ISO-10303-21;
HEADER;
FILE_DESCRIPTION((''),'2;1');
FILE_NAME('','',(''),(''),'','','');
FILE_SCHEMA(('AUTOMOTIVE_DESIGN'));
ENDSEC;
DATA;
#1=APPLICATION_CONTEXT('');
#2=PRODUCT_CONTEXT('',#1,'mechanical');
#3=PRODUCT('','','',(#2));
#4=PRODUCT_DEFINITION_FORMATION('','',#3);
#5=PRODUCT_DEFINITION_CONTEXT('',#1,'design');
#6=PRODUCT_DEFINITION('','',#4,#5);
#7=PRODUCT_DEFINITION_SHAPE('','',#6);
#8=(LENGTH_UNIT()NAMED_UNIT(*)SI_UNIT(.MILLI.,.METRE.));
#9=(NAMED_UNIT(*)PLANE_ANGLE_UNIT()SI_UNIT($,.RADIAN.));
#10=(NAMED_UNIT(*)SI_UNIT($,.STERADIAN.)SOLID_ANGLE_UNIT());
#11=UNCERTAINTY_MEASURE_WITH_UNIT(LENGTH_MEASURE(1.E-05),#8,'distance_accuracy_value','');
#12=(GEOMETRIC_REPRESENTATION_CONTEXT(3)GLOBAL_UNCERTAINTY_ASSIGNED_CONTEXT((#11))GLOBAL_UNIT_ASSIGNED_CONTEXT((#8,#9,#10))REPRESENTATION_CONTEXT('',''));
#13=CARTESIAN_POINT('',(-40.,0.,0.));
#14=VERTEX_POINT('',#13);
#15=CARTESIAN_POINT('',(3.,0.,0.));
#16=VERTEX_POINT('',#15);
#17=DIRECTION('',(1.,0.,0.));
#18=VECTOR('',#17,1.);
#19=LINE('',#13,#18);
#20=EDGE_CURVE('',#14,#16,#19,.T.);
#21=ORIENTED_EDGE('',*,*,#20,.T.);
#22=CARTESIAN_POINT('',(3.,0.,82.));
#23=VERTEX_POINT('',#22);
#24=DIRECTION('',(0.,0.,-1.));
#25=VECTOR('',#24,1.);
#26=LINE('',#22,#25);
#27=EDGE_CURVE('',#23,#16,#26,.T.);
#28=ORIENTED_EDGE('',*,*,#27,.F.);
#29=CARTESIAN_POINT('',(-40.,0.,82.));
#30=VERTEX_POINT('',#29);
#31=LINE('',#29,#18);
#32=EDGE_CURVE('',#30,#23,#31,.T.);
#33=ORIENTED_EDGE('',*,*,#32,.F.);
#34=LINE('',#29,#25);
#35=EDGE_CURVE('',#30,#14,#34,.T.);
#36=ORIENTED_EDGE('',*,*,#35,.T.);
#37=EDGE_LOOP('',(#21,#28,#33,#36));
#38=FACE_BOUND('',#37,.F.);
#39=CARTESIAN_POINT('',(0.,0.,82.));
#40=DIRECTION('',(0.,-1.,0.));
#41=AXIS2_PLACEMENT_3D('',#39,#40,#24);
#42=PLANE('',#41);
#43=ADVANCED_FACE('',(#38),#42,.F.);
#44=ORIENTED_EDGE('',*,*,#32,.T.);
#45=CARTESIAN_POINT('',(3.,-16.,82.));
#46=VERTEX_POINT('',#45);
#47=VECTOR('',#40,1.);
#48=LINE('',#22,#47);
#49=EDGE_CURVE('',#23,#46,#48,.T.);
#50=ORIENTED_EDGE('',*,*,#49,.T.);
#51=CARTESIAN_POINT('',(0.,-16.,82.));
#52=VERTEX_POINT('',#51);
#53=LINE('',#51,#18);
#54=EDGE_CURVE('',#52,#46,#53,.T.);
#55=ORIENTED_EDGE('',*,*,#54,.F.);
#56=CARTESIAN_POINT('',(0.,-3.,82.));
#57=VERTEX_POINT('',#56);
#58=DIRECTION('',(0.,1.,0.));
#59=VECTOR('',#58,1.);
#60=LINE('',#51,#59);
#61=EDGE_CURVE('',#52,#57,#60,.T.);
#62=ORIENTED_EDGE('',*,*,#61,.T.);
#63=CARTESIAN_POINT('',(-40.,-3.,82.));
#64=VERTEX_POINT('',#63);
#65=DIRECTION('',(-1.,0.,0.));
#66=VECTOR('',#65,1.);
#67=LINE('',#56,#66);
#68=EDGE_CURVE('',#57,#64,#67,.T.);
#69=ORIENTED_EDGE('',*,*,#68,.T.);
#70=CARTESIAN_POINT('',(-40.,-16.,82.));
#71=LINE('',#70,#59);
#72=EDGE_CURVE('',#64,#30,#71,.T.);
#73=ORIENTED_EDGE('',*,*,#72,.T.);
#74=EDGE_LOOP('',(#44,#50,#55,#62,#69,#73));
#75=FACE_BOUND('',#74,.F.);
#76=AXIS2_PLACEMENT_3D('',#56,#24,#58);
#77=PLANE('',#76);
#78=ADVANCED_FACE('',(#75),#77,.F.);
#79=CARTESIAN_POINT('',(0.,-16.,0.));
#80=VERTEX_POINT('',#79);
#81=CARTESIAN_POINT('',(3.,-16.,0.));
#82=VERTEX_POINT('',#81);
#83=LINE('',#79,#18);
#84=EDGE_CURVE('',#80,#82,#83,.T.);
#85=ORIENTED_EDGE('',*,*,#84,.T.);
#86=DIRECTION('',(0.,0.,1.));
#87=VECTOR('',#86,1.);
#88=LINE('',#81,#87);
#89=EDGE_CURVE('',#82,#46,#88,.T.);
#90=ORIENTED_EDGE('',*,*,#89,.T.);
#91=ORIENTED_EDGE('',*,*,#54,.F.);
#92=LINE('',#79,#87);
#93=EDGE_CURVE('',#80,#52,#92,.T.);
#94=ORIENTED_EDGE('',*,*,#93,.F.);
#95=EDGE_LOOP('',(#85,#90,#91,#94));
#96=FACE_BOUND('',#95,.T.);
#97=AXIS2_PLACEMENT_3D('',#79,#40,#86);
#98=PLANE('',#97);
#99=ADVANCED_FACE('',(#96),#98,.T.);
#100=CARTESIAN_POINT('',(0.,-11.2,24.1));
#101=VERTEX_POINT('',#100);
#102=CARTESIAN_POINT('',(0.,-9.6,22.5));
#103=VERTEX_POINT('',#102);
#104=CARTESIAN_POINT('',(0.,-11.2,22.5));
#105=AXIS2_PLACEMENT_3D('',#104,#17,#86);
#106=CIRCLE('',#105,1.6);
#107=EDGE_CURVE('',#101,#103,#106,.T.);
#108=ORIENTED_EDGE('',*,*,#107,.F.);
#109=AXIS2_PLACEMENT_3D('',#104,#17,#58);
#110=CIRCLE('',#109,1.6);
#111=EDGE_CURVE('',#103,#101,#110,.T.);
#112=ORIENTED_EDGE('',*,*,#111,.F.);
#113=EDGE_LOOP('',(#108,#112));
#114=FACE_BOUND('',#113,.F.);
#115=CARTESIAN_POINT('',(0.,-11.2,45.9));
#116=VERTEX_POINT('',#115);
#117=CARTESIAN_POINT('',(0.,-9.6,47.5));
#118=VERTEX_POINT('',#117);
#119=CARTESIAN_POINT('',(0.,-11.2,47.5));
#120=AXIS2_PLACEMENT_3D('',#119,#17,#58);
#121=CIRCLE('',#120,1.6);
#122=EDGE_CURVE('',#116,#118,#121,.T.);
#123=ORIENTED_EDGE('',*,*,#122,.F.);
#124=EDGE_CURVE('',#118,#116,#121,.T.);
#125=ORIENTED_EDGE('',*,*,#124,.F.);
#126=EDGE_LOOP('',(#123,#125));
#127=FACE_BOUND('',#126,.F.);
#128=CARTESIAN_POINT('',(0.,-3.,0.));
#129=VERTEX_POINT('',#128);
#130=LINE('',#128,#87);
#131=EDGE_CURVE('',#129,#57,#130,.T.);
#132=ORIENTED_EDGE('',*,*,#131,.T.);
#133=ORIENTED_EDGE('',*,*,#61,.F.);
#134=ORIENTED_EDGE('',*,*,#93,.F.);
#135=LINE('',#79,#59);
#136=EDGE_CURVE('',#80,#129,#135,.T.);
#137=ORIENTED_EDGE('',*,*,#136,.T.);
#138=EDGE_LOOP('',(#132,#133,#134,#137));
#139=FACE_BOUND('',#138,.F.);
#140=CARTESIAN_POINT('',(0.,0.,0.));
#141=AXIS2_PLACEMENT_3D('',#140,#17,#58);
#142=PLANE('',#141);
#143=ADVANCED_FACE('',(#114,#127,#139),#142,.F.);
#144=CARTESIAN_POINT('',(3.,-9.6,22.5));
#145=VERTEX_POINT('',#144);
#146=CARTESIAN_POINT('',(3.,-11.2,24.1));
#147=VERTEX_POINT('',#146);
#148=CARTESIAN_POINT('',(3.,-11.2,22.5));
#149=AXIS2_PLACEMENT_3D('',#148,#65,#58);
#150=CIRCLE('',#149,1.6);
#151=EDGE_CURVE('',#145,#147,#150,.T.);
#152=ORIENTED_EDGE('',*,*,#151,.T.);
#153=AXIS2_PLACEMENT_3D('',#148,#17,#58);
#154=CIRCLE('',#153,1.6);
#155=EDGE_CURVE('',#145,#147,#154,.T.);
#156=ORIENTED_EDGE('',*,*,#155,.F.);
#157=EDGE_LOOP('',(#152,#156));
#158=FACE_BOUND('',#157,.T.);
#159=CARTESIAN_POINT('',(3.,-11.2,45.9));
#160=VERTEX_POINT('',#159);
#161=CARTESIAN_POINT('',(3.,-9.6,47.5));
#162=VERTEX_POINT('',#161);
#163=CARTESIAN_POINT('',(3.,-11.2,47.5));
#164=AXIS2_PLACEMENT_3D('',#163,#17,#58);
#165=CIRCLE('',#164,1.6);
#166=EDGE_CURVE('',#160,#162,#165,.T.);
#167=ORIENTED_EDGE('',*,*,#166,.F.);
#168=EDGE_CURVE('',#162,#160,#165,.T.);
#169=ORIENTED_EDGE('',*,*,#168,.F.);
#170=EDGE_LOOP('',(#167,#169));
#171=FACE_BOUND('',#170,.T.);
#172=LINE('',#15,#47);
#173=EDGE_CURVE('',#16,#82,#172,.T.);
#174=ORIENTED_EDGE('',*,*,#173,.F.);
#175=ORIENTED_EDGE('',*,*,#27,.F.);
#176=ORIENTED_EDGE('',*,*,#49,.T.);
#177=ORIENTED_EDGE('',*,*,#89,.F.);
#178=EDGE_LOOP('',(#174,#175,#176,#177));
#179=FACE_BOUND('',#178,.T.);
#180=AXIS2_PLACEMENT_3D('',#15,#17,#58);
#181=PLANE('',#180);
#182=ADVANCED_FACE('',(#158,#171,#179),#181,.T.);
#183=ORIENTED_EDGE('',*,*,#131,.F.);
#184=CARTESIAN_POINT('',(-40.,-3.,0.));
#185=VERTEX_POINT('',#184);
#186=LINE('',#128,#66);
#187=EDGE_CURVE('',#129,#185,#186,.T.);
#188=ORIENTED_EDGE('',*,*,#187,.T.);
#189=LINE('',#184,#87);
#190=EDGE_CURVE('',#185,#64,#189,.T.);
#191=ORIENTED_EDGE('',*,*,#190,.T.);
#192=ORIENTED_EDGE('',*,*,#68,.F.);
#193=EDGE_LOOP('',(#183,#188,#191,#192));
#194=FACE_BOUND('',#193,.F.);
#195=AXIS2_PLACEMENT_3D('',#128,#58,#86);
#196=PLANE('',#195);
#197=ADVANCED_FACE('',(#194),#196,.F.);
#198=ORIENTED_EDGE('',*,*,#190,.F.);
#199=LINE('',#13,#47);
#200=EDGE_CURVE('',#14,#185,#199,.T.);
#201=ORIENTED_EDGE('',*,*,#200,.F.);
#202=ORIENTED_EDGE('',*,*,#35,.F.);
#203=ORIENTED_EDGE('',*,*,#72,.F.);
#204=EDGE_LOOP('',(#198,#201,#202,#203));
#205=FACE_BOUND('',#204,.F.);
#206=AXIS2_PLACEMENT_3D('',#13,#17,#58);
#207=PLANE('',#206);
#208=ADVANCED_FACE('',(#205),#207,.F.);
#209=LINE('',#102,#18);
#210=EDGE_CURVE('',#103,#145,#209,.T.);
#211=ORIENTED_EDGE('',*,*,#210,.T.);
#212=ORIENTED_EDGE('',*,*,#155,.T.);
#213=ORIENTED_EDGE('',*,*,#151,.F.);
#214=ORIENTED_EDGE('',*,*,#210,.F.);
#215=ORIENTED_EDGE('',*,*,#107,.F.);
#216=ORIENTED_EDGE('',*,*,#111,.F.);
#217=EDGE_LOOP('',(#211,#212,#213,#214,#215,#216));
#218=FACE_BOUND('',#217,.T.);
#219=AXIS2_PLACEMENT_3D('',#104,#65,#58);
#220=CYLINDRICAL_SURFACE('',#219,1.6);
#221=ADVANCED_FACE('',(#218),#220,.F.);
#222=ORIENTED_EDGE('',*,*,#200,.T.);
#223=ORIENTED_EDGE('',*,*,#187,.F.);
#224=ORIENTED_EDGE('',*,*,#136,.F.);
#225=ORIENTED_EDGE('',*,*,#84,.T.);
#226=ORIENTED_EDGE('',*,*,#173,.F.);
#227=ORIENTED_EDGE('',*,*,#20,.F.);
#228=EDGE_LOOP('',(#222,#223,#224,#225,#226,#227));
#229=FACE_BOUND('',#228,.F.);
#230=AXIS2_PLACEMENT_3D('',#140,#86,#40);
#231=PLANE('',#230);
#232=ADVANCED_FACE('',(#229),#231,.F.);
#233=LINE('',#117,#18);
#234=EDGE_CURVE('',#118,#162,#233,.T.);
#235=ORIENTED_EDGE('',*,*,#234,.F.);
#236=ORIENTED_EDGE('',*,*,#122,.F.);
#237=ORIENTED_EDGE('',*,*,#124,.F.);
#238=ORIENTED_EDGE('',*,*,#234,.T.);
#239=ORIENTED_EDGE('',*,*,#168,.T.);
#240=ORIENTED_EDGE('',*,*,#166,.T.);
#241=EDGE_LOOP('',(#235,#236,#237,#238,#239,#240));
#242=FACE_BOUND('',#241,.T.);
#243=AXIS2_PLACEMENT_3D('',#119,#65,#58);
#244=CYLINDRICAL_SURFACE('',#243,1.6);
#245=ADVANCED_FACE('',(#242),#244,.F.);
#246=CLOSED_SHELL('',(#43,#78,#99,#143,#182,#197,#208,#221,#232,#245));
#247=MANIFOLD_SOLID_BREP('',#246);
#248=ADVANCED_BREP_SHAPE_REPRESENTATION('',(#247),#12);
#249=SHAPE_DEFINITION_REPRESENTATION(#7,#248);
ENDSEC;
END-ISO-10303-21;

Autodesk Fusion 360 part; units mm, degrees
sketch "스케치1" plane through (0, 0, 0) normal (1, 0, 0) x (0, 1, 0)
  line L0 (0, 0) -> (-16, 0)
  line L1 (-16, 0) -> (-16, 82)
  line L2 (-16, 82) -> (0, 82)
  line L3 (0, 82) -> (0, 0)
  line L4 (0, 0) -> (-6, 0)
  line L5 (-6, 0) -> (-6, 82)
  line L6 (-6, 82) -> (0, 82)
  line L7 (0, 82) -> (0, 0)
  line L8 (-6, 0) -> (-11.2, 0)
  line L9 (-11.2, 0) -> (-11.2, 22.5)
  line L10 (-11.2, 22.5) -> (-6, 22.5)
  line L11 (-6, 22.5) -> (-6, 0)
  circle A0 centre (-11.2, 22.5) radius 1.6
  line L12 (-11.2, 22.5) -> (-11.2, 47.5)
  circle A1 centre (-11.2, 47.5) radius 1.6
  line L13 (0, 0) -> (-3, 0)
  line L14 (-3, 0) -> (-3, 82)
  line L15 (-3, 82) -> (0, 82)
  line L16 (0, 82) -> (0, 0)
  dimension "d1" = 16
  dimension "d2" = 82
  dimension "d3" = 6
  dimension "d4" = 82
  dimension "d5" = 5.2
  dimension "d6" = 22.5
  dimension "d7" = 3.2
  dimension "d8" = 25
  dimension "d9" = 3.2
  dimension "d14" = 3
  dimension "d15" = 82
extrude "돌출1" add sketch "스케치1" along normal blind 3 contours L0 L5 L8 L9 L10 L11 A0 | L0 L1 L2 L5 L9 L10 A0
extrude "돌출2" add sketch "스케치1" along normal blind 3 contours L0 L2 L3 L4 L6 L7 L13 L14 L15 L16 | L0 L2 L4 L5 L6 L11 L14
extrude "돌출3" add sketch "스케치1" against normal blind 40 contours L0 L2 L3 L4 L6 L7 L13 L14 L15 L16
